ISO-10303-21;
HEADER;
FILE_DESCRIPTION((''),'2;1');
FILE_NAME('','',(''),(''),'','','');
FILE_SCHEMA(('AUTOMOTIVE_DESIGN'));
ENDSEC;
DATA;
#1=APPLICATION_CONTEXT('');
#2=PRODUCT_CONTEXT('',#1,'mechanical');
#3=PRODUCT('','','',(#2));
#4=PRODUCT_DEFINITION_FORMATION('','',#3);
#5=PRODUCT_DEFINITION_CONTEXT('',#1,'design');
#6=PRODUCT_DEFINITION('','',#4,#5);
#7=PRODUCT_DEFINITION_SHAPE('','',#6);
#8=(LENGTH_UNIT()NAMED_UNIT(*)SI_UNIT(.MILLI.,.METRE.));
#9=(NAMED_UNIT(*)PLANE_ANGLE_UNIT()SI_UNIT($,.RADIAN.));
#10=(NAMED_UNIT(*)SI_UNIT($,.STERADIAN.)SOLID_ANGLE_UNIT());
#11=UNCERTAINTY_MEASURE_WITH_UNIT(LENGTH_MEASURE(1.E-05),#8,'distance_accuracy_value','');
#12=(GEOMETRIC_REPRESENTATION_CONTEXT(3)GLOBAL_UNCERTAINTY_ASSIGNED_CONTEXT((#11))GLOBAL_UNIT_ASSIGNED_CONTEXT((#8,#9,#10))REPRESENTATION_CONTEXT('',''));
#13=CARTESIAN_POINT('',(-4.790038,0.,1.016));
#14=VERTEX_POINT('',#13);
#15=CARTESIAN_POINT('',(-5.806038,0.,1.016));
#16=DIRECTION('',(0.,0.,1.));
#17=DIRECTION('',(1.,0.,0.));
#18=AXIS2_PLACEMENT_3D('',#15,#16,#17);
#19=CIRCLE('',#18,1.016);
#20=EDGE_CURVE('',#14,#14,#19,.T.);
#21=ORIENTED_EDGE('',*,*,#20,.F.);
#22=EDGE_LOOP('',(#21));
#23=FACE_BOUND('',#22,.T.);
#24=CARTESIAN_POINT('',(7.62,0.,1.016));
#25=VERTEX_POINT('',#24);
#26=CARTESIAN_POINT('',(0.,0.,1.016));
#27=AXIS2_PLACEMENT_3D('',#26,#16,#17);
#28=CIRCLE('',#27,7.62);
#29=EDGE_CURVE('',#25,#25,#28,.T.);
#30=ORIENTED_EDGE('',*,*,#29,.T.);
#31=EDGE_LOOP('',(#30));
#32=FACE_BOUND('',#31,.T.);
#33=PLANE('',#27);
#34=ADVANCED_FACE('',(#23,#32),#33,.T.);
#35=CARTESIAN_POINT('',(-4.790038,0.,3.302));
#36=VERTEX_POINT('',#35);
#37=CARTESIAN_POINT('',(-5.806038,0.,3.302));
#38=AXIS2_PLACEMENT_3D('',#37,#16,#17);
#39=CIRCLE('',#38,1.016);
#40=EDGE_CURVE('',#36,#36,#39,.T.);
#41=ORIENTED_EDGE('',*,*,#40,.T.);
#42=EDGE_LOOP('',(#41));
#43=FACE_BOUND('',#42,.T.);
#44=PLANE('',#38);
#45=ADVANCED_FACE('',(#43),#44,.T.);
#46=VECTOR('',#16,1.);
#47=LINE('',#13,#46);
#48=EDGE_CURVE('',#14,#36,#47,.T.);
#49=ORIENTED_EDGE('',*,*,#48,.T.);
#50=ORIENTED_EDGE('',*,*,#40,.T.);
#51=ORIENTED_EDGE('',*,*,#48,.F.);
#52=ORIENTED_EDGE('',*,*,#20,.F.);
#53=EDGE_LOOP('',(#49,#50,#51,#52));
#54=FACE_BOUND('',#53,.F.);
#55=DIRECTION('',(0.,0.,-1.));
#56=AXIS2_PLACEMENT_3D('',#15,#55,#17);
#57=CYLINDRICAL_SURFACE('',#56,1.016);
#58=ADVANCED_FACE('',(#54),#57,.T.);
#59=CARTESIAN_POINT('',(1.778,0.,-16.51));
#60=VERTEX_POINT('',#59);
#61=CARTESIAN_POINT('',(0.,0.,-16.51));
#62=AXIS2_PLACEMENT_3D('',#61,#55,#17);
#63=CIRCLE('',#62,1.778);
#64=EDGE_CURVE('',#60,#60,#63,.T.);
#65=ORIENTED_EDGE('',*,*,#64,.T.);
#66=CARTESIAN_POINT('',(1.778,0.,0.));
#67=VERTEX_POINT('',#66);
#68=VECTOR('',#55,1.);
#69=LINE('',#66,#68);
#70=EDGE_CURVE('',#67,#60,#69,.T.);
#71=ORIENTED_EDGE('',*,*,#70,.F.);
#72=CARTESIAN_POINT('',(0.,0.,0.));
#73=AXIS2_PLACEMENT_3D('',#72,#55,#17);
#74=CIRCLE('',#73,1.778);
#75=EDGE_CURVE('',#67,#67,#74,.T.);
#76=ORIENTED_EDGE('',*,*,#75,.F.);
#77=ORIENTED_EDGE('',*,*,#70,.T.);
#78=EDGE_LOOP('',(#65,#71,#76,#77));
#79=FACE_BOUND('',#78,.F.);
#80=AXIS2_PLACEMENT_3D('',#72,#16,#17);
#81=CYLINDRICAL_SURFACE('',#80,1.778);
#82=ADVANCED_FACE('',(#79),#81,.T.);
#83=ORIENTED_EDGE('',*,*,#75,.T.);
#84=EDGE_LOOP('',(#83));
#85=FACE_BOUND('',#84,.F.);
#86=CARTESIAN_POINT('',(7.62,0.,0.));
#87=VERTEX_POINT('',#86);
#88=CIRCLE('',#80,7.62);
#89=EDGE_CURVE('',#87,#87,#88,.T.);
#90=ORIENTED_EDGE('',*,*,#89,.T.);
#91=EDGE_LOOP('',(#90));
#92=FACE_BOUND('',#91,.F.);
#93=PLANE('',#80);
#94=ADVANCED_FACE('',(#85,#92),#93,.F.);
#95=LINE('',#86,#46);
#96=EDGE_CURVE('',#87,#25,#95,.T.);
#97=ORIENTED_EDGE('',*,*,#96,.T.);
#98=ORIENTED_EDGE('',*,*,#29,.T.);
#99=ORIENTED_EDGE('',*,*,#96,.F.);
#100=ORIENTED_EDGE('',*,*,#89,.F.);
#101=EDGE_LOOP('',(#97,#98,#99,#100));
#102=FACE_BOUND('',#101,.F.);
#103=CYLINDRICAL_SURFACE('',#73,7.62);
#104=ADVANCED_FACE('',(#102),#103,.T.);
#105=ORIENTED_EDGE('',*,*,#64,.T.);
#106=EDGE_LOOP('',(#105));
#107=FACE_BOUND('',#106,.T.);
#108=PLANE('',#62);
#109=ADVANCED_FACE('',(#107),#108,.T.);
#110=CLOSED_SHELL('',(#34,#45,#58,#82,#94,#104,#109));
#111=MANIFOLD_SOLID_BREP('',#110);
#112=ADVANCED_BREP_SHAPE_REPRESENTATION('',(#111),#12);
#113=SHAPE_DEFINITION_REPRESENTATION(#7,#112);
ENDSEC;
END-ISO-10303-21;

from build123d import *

# Parameters (mm, degrees)
F0_R     = 7.62
F1_DEPTH = 1.016
F2_R     = 1.016
F3_DEPTH = 2.286
F4_R     = 1.778
F5_DEPTH = 16.51


with BuildPart() as f1:
    # F0 (on Top) → F1 (new body)
    with BuildSketch(Plane.XY):
        Circle(F0_R)
    extrude(amount=F1_DEPTH)

    # F2 (on face) → F3 (join)
    with BuildSketch(Plane.XY.offset(1.016)):
        with Locations((-5.806038, 0)):
            Circle(F2_R)
    extrude(amount=F3_DEPTH)

    # F4 (on face) → F5 (join)
    with BuildSketch(Plane(origin=(0, 0, 0), x_dir=(1, 0, 0), z_dir=(0, 0, -1))):
        Circle(F4_R)
    extrude(amount=F5_DEPTH)


solid = f1.part
